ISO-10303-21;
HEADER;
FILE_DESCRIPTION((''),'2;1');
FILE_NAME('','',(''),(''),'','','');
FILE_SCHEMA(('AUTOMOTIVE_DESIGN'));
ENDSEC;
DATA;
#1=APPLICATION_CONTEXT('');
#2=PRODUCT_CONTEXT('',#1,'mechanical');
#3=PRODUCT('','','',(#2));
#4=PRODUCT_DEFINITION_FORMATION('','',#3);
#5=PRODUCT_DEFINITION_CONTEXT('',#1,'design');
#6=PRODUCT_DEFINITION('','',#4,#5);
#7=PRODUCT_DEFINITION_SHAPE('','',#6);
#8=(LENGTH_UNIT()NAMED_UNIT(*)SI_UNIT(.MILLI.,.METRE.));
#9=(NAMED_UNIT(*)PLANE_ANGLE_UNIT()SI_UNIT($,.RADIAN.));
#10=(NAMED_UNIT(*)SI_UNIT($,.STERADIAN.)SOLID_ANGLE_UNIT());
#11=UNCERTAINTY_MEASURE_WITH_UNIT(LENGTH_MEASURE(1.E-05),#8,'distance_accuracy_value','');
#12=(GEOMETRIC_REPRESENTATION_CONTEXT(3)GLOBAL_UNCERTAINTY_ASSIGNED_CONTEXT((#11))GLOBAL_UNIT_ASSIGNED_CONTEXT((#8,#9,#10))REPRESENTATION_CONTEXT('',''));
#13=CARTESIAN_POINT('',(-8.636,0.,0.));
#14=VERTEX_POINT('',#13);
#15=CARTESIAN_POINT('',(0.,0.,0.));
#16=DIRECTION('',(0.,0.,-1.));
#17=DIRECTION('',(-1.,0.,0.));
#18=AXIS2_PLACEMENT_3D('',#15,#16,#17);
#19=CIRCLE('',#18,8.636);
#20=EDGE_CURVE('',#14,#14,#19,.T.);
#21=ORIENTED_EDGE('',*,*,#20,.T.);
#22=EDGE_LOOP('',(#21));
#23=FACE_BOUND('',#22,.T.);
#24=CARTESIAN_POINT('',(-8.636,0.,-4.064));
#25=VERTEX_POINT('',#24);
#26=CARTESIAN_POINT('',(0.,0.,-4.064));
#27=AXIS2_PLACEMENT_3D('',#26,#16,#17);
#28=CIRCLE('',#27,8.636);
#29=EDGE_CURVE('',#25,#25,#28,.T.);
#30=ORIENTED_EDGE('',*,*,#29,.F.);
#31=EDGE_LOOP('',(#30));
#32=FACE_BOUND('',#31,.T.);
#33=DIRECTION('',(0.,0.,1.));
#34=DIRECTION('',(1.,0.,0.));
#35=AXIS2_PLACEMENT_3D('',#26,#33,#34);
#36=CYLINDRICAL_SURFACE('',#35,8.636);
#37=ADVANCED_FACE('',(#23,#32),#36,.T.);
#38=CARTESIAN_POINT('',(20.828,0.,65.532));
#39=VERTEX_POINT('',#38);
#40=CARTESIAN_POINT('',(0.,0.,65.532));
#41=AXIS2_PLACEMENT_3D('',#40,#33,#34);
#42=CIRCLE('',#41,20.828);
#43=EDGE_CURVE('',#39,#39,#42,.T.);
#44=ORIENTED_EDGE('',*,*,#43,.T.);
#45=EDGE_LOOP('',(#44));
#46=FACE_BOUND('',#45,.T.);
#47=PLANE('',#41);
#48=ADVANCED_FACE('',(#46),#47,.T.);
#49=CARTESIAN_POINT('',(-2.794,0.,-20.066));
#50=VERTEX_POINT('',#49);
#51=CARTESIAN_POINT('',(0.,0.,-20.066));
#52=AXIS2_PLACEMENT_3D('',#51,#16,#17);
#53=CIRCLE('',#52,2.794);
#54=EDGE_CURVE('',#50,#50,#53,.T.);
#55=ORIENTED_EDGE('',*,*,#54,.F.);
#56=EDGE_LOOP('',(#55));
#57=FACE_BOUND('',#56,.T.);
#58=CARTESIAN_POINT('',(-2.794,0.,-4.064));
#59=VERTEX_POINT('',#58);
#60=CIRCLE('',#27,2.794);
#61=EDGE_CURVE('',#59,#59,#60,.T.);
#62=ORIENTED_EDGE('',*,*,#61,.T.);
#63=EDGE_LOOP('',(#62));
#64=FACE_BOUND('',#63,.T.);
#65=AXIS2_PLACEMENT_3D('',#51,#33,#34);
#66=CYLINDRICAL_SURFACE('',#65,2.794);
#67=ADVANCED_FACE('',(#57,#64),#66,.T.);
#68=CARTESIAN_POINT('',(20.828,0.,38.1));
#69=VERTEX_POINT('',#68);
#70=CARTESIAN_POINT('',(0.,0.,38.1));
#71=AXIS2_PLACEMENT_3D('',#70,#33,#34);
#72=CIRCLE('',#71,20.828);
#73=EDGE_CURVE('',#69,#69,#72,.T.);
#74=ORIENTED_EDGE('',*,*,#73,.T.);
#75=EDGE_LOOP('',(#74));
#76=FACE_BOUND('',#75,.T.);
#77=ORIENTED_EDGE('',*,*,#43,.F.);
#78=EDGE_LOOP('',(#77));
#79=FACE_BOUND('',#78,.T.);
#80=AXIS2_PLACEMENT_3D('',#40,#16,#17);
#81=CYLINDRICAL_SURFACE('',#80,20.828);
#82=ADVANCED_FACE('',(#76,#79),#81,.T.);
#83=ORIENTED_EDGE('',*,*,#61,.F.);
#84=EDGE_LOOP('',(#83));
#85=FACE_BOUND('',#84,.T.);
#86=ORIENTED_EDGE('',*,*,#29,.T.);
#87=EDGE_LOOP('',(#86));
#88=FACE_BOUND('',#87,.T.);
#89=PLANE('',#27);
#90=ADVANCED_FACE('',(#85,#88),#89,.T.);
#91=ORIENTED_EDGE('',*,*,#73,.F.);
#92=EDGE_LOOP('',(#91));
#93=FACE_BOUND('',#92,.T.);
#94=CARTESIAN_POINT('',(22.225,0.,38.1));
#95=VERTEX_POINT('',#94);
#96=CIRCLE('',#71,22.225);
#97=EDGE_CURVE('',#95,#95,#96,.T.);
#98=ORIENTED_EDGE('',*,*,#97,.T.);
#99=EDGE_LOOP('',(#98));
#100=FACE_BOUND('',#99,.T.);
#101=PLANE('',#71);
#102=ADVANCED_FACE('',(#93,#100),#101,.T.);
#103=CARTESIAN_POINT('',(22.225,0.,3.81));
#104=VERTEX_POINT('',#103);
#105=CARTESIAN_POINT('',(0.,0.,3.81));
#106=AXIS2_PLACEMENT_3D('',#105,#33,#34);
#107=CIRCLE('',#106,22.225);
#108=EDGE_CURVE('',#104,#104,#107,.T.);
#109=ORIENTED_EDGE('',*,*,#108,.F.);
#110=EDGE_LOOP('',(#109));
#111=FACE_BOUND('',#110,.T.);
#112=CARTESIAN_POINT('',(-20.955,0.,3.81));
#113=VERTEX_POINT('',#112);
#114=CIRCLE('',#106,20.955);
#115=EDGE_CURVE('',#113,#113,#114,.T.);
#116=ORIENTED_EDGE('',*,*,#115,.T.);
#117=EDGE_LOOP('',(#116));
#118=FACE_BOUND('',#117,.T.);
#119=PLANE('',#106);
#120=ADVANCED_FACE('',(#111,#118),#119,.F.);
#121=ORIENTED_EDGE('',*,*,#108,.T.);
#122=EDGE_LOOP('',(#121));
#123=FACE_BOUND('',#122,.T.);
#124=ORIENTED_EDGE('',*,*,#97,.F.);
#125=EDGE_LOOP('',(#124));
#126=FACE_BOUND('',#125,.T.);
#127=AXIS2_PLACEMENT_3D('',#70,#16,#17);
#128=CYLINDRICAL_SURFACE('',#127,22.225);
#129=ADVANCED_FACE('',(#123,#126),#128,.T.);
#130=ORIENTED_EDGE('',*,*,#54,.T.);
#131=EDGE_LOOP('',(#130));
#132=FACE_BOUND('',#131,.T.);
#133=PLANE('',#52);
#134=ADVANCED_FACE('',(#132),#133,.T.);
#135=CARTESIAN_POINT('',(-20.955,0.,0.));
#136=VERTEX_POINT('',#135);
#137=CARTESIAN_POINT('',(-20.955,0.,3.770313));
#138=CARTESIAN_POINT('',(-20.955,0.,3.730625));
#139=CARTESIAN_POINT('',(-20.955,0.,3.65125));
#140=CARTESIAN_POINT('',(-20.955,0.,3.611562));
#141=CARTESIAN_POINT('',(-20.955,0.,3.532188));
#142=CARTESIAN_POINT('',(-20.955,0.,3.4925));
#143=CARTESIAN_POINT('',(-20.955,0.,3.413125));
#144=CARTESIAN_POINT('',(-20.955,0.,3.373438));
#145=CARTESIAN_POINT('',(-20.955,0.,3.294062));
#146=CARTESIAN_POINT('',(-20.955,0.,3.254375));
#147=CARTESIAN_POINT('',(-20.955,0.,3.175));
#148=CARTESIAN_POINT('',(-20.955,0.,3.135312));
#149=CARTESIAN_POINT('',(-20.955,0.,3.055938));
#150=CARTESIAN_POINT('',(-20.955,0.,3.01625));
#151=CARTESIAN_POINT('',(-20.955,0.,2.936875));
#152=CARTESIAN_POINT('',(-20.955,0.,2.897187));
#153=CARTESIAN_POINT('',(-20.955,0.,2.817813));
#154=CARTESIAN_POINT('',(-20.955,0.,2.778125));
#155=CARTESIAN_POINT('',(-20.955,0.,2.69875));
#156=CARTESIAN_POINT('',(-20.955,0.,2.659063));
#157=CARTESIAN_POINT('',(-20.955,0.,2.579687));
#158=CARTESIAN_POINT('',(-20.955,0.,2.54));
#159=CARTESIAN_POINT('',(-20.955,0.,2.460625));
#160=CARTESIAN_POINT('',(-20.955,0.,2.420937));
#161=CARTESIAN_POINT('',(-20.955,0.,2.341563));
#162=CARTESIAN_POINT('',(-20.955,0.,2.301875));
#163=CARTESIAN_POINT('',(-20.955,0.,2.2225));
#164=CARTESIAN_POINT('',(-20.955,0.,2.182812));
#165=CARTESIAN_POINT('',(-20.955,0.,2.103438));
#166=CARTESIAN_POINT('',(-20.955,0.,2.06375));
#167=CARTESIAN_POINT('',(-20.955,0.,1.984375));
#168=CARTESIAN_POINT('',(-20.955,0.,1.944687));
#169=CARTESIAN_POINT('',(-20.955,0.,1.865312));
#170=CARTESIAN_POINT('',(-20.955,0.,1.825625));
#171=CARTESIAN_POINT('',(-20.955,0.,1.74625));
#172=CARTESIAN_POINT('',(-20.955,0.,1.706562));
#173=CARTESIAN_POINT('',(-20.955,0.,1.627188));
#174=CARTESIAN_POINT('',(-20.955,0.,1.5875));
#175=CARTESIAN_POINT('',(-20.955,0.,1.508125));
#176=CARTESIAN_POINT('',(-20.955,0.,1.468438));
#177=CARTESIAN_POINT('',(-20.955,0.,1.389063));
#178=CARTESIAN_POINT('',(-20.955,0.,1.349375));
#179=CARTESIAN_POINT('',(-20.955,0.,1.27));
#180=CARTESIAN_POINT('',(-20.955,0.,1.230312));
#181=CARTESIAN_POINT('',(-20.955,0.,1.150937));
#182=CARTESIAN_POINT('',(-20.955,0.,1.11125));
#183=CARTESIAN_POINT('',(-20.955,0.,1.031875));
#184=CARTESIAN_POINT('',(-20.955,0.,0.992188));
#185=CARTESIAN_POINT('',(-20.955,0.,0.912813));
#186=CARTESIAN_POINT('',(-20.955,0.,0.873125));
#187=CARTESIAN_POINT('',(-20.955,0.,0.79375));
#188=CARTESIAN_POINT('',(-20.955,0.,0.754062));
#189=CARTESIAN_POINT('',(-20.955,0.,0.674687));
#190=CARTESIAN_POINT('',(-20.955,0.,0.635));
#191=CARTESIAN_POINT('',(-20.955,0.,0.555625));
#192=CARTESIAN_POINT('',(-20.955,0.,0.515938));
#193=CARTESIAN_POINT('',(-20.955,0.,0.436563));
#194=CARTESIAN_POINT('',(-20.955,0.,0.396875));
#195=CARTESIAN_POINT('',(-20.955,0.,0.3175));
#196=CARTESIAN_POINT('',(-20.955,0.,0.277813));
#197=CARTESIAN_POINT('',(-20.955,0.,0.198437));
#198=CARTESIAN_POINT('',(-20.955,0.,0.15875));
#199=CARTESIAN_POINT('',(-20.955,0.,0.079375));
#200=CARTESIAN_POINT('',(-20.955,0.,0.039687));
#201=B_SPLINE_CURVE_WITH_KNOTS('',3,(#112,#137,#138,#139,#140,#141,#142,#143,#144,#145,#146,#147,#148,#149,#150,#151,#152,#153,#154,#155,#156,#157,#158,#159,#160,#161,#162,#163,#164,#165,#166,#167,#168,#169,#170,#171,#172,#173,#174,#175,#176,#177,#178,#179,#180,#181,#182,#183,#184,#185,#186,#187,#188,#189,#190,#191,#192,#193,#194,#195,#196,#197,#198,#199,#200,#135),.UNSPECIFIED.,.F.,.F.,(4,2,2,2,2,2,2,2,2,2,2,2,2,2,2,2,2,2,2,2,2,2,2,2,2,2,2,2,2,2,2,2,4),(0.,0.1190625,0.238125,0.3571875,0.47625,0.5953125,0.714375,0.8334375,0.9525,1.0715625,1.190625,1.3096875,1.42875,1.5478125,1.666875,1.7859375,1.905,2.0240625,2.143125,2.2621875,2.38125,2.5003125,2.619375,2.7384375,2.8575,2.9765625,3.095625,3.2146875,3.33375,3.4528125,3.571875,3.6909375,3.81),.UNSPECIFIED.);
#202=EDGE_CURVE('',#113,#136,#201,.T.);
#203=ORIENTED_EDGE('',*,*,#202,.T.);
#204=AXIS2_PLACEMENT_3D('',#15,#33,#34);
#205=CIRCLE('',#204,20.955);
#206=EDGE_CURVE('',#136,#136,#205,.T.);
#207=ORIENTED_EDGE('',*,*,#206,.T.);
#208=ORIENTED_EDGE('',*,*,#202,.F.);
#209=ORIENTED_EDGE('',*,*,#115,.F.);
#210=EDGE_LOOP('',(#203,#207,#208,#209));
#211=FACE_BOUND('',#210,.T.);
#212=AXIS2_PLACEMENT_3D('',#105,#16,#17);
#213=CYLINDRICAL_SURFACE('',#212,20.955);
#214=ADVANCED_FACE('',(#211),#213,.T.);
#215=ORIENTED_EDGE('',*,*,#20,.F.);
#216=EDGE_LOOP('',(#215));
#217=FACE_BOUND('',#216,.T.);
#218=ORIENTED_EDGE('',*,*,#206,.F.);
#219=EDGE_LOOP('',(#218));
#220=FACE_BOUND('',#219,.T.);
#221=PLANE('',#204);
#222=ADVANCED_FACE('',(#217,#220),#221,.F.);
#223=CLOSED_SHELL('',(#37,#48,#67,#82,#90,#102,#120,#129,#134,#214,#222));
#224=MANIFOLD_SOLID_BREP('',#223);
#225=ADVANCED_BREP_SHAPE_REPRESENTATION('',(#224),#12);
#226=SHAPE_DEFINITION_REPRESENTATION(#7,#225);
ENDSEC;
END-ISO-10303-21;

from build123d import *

# Parameters (mm, degrees)
SKETCH3_R           = 20.955
BOSS_EXTRUDE3_DEPTH = 3.81
SKETCH4_R           = 22.225
BOSS_EXTRUDE4_DEPTH = 34.29
SKETCH5_R           = 20.828
BOSS_EXTRUDE5_DEPTH = 27.432
SKETCH6_R           = 8.636
BOSS_EXTRUDE6_DEPTH = 4.064
SKETCH7_R           = 2.794
BOSS_EXTRUDE7_DEPTH = 16.002


with BuildPart() as part:
    # Sketch3 → Boss-Extrude3 (new body)
    with BuildSketch(Plane.XY):
        with Locations(Location((0, 0, 0), (0, 0, 180))):
            Circle(SKETCH3_R)
    extrude(amount=BOSS_EXTRUDE3_DEPTH)

    # Sketch4 → Boss-Extrude4 (add)
    with BuildSketch(Plane.XY.offset(3.81)):
        Circle(SKETCH4_R)
    extrude(amount=BOSS_EXTRUDE4_DEPTH)

    # Sketch5 → Boss-Extrude5 (add)
    with BuildSketch(Plane.XY.offset(38.1)):
        Circle(SKETCH5_R)
    extrude(amount=BOSS_EXTRUDE5_DEPTH)

    # Sketch6 → Boss-Extrude6 (add)
    with BuildSketch(Plane(origin=(0, 0, 0), x_dir=(-1, 0, 0), z_dir=(0, 0, -1))):
        Circle(SKETCH6_R)
    extrude(amount=BOSS_EXTRUDE6_DEPTH)

    # Sketch7 → Boss-Extrude7 (add)
    with BuildSketch(Plane(origin=(0, 0, -4.064), x_dir=(-1, 0, 0), z_dir=(0, 0, -1))):
        Circle(SKETCH7_R)
    extrude(amount=BOSS_EXTRUDE7_DEPTH)


solid = part.part
